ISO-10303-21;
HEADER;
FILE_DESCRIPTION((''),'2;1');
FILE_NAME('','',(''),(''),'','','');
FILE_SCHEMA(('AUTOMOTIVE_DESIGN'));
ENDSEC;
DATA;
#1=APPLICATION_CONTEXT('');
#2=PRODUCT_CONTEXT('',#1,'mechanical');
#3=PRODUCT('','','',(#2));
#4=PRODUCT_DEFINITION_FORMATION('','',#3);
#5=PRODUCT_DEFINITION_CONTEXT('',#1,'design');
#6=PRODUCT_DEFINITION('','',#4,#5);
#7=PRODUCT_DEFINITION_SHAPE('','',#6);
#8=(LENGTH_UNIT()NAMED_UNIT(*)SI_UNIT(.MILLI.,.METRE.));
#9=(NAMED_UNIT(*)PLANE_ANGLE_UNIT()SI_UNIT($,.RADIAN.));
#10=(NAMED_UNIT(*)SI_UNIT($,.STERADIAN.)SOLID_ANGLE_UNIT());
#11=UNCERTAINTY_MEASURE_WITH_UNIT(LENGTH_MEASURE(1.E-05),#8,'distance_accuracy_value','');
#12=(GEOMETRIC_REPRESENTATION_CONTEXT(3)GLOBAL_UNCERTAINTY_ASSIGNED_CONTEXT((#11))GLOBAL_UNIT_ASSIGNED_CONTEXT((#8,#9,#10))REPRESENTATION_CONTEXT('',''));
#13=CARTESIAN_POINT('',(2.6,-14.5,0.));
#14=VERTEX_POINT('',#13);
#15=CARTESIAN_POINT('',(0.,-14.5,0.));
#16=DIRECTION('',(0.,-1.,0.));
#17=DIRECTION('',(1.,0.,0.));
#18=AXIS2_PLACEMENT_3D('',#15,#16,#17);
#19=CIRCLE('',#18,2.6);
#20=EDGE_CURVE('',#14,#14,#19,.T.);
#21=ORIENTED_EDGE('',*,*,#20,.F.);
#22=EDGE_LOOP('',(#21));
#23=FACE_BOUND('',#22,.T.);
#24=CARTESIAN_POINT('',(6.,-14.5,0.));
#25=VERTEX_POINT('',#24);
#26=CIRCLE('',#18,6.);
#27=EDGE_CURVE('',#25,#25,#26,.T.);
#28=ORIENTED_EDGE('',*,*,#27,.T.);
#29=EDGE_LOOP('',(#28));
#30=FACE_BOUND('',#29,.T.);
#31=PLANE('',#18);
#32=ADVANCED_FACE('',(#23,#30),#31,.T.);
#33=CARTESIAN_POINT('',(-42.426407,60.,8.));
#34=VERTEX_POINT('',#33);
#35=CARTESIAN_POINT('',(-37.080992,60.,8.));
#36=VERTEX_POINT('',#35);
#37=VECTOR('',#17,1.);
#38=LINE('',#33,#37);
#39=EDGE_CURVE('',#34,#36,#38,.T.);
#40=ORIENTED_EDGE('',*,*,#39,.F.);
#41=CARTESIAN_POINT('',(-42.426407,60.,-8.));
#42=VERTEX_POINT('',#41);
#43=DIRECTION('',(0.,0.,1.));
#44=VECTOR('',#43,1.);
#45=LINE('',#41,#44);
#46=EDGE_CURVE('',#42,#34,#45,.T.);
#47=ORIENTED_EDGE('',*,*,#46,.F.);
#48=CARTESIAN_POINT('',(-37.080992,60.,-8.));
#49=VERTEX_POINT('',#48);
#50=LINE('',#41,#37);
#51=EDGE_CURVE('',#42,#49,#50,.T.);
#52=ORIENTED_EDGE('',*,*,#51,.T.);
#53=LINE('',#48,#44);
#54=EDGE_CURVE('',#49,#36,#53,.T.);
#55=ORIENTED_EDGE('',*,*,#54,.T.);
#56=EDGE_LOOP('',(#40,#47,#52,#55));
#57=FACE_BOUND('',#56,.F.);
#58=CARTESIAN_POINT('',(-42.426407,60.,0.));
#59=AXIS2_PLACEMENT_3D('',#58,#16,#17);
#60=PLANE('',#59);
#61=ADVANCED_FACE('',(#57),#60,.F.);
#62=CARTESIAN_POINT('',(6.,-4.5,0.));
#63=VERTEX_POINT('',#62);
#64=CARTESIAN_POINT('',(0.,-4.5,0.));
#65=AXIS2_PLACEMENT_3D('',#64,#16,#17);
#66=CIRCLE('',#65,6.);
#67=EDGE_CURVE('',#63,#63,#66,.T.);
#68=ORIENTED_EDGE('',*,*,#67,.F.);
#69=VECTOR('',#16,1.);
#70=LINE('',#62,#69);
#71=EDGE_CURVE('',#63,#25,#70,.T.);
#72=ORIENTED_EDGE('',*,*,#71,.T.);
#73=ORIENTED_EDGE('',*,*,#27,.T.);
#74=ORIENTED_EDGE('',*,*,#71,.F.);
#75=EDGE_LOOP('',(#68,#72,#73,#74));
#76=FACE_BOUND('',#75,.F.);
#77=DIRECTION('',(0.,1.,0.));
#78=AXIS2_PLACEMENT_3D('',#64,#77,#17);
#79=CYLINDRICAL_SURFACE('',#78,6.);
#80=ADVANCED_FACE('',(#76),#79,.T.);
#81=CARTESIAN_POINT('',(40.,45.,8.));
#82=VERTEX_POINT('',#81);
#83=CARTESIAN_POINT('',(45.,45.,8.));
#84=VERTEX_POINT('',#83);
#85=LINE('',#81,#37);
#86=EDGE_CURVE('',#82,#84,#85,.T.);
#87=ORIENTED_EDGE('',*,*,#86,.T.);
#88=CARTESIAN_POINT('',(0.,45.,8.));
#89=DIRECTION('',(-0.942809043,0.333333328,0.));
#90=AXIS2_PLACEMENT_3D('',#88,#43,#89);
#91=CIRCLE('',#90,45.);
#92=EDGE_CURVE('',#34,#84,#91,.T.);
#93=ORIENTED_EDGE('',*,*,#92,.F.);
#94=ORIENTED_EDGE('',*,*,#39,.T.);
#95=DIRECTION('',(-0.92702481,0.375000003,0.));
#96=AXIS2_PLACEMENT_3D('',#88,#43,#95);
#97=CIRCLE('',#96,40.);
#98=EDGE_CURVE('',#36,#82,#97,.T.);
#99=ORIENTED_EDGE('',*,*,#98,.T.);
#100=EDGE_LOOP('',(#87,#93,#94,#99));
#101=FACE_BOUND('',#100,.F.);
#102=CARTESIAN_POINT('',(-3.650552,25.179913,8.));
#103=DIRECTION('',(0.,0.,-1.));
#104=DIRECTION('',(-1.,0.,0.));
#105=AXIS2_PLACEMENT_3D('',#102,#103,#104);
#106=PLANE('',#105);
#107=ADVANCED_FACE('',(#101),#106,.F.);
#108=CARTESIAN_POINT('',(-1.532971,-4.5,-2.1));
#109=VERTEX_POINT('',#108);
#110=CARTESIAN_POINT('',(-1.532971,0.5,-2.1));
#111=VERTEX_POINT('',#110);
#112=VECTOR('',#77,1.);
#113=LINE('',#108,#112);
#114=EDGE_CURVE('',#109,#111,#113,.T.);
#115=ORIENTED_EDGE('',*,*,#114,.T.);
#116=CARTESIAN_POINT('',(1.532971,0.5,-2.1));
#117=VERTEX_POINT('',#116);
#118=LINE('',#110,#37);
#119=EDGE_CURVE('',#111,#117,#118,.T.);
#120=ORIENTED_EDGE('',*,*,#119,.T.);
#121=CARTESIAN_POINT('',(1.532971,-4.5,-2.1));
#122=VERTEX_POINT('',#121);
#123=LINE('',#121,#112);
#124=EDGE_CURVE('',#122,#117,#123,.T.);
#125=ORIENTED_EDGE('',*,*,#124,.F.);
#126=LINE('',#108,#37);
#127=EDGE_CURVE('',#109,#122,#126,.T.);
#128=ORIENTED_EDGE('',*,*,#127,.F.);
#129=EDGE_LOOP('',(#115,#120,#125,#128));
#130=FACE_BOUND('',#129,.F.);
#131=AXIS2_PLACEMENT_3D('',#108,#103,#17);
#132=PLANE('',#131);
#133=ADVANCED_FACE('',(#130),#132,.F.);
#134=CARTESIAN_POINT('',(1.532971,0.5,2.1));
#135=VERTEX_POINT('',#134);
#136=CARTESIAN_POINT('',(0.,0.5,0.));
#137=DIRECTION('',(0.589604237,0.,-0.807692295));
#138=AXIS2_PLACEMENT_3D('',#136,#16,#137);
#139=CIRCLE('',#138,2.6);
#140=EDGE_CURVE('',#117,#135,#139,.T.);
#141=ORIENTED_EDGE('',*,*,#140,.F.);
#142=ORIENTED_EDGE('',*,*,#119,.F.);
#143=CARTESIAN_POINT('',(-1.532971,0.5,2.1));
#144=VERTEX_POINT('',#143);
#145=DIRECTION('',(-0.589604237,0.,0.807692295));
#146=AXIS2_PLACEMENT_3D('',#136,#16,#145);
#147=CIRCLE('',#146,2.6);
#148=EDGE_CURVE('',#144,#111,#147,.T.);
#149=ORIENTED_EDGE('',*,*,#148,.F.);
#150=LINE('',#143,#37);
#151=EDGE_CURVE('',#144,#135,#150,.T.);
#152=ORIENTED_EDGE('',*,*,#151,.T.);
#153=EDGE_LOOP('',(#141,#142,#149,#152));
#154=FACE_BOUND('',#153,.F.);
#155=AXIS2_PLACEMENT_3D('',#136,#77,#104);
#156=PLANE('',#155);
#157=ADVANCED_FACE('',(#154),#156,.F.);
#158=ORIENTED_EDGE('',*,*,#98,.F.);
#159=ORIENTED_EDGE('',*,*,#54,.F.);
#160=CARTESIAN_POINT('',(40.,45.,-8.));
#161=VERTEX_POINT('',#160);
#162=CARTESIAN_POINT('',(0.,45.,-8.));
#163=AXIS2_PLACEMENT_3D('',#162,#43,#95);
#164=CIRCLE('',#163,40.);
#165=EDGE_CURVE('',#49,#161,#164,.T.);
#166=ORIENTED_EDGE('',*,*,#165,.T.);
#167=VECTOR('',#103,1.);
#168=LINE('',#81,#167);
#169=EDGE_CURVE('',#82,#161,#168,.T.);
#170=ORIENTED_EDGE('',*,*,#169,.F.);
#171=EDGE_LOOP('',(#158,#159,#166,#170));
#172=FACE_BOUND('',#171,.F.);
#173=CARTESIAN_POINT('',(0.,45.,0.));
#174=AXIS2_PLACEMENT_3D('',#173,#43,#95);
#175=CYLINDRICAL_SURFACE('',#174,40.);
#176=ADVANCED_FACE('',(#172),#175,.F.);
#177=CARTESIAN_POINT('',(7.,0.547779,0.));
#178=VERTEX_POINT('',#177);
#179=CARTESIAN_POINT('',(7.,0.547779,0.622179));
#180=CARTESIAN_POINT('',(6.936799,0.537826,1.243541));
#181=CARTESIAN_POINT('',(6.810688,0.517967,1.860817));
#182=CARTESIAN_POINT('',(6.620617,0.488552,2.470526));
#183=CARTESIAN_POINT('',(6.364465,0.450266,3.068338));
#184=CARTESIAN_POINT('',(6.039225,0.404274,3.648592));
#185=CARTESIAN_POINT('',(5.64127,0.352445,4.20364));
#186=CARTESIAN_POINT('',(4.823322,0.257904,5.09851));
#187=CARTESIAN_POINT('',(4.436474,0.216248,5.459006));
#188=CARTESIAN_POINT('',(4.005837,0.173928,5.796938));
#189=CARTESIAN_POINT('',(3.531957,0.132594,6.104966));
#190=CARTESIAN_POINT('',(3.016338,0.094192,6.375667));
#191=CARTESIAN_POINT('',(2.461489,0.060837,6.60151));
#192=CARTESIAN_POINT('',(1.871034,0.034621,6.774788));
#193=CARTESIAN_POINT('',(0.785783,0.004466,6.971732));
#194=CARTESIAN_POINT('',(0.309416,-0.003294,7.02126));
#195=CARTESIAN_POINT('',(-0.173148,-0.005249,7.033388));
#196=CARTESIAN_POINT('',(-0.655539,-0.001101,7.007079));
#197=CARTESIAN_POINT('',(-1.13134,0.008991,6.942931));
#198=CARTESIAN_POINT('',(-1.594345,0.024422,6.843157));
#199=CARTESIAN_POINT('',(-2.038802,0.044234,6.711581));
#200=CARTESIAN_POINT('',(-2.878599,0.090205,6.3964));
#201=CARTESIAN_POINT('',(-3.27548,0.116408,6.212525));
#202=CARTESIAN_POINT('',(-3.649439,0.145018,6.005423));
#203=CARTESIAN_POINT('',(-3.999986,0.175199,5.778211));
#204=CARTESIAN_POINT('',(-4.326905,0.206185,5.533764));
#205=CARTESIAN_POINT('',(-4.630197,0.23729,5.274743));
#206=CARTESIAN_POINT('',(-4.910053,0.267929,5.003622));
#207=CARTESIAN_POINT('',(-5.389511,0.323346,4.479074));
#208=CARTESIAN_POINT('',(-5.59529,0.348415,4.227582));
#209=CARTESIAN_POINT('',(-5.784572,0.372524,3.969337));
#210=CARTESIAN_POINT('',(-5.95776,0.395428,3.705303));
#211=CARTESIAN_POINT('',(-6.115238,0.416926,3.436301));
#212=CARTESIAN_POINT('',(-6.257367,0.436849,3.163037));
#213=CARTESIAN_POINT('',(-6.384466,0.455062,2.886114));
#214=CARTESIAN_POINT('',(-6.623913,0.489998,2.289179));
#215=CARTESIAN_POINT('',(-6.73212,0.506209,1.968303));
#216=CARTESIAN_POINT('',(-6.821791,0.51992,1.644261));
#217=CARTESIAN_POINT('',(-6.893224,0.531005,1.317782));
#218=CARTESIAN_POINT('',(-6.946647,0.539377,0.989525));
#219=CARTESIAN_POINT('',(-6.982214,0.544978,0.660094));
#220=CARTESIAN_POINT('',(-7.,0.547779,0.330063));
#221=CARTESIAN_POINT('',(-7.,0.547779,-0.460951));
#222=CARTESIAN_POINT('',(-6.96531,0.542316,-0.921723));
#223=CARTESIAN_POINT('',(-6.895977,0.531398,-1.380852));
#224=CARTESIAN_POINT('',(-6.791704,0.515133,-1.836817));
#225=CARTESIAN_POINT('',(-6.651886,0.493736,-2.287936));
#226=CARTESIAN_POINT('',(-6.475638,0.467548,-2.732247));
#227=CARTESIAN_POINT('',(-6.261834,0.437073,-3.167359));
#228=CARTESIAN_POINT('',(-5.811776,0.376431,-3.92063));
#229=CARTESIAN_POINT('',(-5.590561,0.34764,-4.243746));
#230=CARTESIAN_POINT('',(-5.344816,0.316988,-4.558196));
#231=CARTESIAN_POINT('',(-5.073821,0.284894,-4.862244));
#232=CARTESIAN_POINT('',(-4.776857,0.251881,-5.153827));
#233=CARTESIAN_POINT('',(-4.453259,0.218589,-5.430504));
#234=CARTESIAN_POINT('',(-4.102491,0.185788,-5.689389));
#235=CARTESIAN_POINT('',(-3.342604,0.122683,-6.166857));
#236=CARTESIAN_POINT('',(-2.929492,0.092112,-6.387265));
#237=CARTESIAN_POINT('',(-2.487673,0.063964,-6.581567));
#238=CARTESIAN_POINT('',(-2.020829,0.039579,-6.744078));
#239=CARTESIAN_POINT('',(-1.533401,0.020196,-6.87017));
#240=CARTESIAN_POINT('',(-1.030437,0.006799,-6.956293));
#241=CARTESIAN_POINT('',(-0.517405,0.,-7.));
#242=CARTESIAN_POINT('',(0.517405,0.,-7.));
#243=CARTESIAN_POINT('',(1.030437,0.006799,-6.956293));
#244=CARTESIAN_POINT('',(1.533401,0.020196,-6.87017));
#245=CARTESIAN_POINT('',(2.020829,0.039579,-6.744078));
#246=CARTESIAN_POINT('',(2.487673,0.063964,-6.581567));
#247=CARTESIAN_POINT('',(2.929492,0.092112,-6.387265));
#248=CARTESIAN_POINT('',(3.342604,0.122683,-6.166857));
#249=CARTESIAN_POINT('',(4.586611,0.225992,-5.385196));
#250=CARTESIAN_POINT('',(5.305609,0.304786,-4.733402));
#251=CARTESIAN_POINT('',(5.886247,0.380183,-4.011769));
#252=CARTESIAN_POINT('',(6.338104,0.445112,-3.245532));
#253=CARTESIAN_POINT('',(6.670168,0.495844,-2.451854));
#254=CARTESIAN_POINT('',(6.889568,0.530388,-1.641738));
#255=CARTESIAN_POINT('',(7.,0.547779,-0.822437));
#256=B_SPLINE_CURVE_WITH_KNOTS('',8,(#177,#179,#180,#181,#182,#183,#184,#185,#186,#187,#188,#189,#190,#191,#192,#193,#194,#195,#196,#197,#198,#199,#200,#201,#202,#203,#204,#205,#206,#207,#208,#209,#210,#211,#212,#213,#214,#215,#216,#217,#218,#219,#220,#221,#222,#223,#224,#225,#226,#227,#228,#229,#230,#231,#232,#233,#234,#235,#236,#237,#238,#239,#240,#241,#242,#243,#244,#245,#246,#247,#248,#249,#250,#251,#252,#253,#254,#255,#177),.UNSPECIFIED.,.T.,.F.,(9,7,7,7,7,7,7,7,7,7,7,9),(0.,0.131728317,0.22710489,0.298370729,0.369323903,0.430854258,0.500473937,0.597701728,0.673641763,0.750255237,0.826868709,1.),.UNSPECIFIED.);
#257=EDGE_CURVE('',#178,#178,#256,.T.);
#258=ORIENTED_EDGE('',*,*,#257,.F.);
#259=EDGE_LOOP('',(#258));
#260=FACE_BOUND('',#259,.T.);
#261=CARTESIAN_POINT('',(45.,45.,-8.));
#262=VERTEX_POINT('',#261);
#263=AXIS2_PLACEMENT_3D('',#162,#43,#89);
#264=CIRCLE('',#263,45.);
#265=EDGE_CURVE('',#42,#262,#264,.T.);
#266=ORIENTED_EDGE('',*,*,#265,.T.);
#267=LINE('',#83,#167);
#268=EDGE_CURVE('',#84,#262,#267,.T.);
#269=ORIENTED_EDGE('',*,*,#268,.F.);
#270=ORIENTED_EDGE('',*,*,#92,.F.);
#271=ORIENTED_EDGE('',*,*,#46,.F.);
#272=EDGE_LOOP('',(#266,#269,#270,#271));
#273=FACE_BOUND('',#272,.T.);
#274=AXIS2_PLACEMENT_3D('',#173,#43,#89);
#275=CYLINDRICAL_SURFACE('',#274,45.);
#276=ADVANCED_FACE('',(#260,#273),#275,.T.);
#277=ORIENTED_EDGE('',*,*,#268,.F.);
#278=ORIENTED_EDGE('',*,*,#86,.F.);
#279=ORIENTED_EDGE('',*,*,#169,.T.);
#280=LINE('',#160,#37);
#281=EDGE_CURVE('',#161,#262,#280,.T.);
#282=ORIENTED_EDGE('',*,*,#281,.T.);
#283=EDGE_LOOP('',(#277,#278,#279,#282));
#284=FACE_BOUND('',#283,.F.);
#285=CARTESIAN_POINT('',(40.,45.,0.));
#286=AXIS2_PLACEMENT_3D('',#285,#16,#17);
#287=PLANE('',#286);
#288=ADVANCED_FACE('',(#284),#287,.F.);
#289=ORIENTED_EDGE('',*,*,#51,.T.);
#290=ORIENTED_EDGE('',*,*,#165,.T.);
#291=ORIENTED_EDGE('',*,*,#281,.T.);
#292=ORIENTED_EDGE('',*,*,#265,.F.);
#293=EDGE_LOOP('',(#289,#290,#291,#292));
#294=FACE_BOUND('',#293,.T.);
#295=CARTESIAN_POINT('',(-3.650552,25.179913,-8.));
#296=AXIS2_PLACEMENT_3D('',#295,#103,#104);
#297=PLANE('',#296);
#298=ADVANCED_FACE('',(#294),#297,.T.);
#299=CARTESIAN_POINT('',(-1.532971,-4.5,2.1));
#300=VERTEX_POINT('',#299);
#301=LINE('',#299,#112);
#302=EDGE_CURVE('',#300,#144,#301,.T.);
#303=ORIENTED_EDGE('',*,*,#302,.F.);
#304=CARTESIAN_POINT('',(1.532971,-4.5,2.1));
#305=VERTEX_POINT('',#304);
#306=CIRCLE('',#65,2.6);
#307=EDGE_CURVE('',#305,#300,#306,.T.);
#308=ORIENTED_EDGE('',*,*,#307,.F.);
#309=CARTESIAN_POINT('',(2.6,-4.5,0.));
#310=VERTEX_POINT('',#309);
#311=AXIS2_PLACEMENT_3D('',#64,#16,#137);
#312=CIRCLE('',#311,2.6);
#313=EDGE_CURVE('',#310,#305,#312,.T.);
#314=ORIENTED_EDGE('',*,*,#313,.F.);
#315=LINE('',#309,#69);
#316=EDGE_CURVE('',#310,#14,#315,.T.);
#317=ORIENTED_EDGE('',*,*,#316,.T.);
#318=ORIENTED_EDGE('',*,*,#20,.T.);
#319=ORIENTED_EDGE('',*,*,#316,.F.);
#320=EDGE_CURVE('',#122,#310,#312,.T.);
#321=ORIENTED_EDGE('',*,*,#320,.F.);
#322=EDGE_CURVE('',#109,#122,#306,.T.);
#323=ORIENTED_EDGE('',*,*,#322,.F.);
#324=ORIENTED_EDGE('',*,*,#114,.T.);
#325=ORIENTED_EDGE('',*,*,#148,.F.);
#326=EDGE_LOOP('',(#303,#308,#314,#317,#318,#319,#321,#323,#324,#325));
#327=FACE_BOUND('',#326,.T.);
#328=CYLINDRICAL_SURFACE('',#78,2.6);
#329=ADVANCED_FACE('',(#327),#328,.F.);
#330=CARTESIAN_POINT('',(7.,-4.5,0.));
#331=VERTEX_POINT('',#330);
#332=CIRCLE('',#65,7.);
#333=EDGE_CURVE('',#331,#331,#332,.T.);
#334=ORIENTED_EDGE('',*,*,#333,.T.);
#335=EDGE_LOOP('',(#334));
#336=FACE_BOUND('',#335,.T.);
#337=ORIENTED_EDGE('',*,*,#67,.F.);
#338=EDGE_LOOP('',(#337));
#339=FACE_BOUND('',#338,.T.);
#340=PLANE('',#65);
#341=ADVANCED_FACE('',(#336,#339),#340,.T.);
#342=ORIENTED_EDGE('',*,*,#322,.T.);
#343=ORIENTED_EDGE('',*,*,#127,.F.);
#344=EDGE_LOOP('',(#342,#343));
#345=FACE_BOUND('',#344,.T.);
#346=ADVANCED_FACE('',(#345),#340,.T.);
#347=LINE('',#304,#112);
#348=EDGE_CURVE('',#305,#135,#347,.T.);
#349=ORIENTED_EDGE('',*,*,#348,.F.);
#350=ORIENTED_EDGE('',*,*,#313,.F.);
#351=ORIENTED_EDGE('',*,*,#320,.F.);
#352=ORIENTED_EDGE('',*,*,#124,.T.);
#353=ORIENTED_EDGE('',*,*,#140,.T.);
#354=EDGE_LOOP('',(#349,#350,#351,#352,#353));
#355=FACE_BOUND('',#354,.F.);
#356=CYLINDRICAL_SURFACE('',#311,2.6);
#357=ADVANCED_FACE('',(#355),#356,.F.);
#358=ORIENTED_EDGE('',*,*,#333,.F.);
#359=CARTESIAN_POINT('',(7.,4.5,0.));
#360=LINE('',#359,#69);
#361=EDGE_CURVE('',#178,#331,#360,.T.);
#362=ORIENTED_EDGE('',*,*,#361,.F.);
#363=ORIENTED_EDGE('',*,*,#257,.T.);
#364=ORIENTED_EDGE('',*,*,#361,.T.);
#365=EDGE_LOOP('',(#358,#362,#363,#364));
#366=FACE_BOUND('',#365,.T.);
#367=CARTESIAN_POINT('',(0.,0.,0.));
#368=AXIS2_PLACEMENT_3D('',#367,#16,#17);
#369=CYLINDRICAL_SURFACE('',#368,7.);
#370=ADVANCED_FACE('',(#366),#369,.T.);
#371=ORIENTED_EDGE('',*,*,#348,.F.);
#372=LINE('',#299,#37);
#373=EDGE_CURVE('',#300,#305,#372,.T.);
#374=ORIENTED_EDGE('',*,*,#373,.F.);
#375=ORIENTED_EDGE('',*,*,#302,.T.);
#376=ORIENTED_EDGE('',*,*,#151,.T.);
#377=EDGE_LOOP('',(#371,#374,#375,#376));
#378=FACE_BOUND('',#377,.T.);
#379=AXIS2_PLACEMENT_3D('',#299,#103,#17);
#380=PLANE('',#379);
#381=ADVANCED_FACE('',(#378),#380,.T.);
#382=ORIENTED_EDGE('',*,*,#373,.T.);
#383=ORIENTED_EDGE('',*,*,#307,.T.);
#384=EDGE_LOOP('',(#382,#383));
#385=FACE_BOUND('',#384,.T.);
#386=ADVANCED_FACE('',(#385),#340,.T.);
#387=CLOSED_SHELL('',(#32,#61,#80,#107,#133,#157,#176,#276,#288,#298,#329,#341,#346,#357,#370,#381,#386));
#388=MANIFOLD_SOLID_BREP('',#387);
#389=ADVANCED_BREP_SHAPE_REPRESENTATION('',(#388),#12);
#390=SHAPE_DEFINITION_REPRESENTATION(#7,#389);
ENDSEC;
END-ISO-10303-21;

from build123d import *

# Parameters (mm, degrees)
PAD_DEPTH     = 8
SKETCH002_R   = 7
PAD001_DEPTH  = 4.5
POCKET_DEPTH  = 5
SKETCH005_R   = 6
SKETCH005_R_2 = 2.6
PAD002_DEPTH  = 10


with BuildPart() as part:
    # Sketch001 → Pad (new body, symmetric)
    with BuildSketch(Plane.XY):
        with BuildLine():
            ThreePointArc((-37.080992, 60), (-7.64069, 5.736533), (40, 45))
            Line((40, 45), (45, 45))
            ThreePointArc((-42.426407, 60), (-7.609589, 0.648065), (45, 45))
            Line((-42.426407, 60), (-37.080992, 60))
        make_face()
    extrude(amount=PAD_DEPTH, both=True)

    # Sketch002 → Pad001 (join, symmetric)
    with BuildSketch(Plane.XZ):
        Circle(SKETCH002_R)
    extrude(amount=PAD001_DEPTH, both=True)

    # Sketch004 (on Face8 of Pad001) → Pocket (cut)
    with BuildSketch(Plane.XZ.offset(4.5)):
        with BuildLine():
            Line((-1.532971, 2.1), (1.532971, 2.1))
            ThreePointArc((1.532971, -2.1), (2.6, 0), (1.532971, 2.1))
            Line((-1.532971, -2.1), (1.532971, -2.1))
            ThreePointArc((-1.532971, 2.1), (-2.6, 0), (-1.532971, -2.1))
        make_face()
    extrude(amount=-POCKET_DEPTH, mode=Mode.SUBTRACT)

    # Sketch005 (on Face8 of Pocket) → Pad002 (join)
    with BuildSketch(Plane.XZ.offset(4.5)):
        Circle(SKETCH005_R)
        Circle(SKETCH005_R_2, mode=Mode.SUBTRACT)
    extrude(amount=PAD002_DEPTH)


solid = part.part
